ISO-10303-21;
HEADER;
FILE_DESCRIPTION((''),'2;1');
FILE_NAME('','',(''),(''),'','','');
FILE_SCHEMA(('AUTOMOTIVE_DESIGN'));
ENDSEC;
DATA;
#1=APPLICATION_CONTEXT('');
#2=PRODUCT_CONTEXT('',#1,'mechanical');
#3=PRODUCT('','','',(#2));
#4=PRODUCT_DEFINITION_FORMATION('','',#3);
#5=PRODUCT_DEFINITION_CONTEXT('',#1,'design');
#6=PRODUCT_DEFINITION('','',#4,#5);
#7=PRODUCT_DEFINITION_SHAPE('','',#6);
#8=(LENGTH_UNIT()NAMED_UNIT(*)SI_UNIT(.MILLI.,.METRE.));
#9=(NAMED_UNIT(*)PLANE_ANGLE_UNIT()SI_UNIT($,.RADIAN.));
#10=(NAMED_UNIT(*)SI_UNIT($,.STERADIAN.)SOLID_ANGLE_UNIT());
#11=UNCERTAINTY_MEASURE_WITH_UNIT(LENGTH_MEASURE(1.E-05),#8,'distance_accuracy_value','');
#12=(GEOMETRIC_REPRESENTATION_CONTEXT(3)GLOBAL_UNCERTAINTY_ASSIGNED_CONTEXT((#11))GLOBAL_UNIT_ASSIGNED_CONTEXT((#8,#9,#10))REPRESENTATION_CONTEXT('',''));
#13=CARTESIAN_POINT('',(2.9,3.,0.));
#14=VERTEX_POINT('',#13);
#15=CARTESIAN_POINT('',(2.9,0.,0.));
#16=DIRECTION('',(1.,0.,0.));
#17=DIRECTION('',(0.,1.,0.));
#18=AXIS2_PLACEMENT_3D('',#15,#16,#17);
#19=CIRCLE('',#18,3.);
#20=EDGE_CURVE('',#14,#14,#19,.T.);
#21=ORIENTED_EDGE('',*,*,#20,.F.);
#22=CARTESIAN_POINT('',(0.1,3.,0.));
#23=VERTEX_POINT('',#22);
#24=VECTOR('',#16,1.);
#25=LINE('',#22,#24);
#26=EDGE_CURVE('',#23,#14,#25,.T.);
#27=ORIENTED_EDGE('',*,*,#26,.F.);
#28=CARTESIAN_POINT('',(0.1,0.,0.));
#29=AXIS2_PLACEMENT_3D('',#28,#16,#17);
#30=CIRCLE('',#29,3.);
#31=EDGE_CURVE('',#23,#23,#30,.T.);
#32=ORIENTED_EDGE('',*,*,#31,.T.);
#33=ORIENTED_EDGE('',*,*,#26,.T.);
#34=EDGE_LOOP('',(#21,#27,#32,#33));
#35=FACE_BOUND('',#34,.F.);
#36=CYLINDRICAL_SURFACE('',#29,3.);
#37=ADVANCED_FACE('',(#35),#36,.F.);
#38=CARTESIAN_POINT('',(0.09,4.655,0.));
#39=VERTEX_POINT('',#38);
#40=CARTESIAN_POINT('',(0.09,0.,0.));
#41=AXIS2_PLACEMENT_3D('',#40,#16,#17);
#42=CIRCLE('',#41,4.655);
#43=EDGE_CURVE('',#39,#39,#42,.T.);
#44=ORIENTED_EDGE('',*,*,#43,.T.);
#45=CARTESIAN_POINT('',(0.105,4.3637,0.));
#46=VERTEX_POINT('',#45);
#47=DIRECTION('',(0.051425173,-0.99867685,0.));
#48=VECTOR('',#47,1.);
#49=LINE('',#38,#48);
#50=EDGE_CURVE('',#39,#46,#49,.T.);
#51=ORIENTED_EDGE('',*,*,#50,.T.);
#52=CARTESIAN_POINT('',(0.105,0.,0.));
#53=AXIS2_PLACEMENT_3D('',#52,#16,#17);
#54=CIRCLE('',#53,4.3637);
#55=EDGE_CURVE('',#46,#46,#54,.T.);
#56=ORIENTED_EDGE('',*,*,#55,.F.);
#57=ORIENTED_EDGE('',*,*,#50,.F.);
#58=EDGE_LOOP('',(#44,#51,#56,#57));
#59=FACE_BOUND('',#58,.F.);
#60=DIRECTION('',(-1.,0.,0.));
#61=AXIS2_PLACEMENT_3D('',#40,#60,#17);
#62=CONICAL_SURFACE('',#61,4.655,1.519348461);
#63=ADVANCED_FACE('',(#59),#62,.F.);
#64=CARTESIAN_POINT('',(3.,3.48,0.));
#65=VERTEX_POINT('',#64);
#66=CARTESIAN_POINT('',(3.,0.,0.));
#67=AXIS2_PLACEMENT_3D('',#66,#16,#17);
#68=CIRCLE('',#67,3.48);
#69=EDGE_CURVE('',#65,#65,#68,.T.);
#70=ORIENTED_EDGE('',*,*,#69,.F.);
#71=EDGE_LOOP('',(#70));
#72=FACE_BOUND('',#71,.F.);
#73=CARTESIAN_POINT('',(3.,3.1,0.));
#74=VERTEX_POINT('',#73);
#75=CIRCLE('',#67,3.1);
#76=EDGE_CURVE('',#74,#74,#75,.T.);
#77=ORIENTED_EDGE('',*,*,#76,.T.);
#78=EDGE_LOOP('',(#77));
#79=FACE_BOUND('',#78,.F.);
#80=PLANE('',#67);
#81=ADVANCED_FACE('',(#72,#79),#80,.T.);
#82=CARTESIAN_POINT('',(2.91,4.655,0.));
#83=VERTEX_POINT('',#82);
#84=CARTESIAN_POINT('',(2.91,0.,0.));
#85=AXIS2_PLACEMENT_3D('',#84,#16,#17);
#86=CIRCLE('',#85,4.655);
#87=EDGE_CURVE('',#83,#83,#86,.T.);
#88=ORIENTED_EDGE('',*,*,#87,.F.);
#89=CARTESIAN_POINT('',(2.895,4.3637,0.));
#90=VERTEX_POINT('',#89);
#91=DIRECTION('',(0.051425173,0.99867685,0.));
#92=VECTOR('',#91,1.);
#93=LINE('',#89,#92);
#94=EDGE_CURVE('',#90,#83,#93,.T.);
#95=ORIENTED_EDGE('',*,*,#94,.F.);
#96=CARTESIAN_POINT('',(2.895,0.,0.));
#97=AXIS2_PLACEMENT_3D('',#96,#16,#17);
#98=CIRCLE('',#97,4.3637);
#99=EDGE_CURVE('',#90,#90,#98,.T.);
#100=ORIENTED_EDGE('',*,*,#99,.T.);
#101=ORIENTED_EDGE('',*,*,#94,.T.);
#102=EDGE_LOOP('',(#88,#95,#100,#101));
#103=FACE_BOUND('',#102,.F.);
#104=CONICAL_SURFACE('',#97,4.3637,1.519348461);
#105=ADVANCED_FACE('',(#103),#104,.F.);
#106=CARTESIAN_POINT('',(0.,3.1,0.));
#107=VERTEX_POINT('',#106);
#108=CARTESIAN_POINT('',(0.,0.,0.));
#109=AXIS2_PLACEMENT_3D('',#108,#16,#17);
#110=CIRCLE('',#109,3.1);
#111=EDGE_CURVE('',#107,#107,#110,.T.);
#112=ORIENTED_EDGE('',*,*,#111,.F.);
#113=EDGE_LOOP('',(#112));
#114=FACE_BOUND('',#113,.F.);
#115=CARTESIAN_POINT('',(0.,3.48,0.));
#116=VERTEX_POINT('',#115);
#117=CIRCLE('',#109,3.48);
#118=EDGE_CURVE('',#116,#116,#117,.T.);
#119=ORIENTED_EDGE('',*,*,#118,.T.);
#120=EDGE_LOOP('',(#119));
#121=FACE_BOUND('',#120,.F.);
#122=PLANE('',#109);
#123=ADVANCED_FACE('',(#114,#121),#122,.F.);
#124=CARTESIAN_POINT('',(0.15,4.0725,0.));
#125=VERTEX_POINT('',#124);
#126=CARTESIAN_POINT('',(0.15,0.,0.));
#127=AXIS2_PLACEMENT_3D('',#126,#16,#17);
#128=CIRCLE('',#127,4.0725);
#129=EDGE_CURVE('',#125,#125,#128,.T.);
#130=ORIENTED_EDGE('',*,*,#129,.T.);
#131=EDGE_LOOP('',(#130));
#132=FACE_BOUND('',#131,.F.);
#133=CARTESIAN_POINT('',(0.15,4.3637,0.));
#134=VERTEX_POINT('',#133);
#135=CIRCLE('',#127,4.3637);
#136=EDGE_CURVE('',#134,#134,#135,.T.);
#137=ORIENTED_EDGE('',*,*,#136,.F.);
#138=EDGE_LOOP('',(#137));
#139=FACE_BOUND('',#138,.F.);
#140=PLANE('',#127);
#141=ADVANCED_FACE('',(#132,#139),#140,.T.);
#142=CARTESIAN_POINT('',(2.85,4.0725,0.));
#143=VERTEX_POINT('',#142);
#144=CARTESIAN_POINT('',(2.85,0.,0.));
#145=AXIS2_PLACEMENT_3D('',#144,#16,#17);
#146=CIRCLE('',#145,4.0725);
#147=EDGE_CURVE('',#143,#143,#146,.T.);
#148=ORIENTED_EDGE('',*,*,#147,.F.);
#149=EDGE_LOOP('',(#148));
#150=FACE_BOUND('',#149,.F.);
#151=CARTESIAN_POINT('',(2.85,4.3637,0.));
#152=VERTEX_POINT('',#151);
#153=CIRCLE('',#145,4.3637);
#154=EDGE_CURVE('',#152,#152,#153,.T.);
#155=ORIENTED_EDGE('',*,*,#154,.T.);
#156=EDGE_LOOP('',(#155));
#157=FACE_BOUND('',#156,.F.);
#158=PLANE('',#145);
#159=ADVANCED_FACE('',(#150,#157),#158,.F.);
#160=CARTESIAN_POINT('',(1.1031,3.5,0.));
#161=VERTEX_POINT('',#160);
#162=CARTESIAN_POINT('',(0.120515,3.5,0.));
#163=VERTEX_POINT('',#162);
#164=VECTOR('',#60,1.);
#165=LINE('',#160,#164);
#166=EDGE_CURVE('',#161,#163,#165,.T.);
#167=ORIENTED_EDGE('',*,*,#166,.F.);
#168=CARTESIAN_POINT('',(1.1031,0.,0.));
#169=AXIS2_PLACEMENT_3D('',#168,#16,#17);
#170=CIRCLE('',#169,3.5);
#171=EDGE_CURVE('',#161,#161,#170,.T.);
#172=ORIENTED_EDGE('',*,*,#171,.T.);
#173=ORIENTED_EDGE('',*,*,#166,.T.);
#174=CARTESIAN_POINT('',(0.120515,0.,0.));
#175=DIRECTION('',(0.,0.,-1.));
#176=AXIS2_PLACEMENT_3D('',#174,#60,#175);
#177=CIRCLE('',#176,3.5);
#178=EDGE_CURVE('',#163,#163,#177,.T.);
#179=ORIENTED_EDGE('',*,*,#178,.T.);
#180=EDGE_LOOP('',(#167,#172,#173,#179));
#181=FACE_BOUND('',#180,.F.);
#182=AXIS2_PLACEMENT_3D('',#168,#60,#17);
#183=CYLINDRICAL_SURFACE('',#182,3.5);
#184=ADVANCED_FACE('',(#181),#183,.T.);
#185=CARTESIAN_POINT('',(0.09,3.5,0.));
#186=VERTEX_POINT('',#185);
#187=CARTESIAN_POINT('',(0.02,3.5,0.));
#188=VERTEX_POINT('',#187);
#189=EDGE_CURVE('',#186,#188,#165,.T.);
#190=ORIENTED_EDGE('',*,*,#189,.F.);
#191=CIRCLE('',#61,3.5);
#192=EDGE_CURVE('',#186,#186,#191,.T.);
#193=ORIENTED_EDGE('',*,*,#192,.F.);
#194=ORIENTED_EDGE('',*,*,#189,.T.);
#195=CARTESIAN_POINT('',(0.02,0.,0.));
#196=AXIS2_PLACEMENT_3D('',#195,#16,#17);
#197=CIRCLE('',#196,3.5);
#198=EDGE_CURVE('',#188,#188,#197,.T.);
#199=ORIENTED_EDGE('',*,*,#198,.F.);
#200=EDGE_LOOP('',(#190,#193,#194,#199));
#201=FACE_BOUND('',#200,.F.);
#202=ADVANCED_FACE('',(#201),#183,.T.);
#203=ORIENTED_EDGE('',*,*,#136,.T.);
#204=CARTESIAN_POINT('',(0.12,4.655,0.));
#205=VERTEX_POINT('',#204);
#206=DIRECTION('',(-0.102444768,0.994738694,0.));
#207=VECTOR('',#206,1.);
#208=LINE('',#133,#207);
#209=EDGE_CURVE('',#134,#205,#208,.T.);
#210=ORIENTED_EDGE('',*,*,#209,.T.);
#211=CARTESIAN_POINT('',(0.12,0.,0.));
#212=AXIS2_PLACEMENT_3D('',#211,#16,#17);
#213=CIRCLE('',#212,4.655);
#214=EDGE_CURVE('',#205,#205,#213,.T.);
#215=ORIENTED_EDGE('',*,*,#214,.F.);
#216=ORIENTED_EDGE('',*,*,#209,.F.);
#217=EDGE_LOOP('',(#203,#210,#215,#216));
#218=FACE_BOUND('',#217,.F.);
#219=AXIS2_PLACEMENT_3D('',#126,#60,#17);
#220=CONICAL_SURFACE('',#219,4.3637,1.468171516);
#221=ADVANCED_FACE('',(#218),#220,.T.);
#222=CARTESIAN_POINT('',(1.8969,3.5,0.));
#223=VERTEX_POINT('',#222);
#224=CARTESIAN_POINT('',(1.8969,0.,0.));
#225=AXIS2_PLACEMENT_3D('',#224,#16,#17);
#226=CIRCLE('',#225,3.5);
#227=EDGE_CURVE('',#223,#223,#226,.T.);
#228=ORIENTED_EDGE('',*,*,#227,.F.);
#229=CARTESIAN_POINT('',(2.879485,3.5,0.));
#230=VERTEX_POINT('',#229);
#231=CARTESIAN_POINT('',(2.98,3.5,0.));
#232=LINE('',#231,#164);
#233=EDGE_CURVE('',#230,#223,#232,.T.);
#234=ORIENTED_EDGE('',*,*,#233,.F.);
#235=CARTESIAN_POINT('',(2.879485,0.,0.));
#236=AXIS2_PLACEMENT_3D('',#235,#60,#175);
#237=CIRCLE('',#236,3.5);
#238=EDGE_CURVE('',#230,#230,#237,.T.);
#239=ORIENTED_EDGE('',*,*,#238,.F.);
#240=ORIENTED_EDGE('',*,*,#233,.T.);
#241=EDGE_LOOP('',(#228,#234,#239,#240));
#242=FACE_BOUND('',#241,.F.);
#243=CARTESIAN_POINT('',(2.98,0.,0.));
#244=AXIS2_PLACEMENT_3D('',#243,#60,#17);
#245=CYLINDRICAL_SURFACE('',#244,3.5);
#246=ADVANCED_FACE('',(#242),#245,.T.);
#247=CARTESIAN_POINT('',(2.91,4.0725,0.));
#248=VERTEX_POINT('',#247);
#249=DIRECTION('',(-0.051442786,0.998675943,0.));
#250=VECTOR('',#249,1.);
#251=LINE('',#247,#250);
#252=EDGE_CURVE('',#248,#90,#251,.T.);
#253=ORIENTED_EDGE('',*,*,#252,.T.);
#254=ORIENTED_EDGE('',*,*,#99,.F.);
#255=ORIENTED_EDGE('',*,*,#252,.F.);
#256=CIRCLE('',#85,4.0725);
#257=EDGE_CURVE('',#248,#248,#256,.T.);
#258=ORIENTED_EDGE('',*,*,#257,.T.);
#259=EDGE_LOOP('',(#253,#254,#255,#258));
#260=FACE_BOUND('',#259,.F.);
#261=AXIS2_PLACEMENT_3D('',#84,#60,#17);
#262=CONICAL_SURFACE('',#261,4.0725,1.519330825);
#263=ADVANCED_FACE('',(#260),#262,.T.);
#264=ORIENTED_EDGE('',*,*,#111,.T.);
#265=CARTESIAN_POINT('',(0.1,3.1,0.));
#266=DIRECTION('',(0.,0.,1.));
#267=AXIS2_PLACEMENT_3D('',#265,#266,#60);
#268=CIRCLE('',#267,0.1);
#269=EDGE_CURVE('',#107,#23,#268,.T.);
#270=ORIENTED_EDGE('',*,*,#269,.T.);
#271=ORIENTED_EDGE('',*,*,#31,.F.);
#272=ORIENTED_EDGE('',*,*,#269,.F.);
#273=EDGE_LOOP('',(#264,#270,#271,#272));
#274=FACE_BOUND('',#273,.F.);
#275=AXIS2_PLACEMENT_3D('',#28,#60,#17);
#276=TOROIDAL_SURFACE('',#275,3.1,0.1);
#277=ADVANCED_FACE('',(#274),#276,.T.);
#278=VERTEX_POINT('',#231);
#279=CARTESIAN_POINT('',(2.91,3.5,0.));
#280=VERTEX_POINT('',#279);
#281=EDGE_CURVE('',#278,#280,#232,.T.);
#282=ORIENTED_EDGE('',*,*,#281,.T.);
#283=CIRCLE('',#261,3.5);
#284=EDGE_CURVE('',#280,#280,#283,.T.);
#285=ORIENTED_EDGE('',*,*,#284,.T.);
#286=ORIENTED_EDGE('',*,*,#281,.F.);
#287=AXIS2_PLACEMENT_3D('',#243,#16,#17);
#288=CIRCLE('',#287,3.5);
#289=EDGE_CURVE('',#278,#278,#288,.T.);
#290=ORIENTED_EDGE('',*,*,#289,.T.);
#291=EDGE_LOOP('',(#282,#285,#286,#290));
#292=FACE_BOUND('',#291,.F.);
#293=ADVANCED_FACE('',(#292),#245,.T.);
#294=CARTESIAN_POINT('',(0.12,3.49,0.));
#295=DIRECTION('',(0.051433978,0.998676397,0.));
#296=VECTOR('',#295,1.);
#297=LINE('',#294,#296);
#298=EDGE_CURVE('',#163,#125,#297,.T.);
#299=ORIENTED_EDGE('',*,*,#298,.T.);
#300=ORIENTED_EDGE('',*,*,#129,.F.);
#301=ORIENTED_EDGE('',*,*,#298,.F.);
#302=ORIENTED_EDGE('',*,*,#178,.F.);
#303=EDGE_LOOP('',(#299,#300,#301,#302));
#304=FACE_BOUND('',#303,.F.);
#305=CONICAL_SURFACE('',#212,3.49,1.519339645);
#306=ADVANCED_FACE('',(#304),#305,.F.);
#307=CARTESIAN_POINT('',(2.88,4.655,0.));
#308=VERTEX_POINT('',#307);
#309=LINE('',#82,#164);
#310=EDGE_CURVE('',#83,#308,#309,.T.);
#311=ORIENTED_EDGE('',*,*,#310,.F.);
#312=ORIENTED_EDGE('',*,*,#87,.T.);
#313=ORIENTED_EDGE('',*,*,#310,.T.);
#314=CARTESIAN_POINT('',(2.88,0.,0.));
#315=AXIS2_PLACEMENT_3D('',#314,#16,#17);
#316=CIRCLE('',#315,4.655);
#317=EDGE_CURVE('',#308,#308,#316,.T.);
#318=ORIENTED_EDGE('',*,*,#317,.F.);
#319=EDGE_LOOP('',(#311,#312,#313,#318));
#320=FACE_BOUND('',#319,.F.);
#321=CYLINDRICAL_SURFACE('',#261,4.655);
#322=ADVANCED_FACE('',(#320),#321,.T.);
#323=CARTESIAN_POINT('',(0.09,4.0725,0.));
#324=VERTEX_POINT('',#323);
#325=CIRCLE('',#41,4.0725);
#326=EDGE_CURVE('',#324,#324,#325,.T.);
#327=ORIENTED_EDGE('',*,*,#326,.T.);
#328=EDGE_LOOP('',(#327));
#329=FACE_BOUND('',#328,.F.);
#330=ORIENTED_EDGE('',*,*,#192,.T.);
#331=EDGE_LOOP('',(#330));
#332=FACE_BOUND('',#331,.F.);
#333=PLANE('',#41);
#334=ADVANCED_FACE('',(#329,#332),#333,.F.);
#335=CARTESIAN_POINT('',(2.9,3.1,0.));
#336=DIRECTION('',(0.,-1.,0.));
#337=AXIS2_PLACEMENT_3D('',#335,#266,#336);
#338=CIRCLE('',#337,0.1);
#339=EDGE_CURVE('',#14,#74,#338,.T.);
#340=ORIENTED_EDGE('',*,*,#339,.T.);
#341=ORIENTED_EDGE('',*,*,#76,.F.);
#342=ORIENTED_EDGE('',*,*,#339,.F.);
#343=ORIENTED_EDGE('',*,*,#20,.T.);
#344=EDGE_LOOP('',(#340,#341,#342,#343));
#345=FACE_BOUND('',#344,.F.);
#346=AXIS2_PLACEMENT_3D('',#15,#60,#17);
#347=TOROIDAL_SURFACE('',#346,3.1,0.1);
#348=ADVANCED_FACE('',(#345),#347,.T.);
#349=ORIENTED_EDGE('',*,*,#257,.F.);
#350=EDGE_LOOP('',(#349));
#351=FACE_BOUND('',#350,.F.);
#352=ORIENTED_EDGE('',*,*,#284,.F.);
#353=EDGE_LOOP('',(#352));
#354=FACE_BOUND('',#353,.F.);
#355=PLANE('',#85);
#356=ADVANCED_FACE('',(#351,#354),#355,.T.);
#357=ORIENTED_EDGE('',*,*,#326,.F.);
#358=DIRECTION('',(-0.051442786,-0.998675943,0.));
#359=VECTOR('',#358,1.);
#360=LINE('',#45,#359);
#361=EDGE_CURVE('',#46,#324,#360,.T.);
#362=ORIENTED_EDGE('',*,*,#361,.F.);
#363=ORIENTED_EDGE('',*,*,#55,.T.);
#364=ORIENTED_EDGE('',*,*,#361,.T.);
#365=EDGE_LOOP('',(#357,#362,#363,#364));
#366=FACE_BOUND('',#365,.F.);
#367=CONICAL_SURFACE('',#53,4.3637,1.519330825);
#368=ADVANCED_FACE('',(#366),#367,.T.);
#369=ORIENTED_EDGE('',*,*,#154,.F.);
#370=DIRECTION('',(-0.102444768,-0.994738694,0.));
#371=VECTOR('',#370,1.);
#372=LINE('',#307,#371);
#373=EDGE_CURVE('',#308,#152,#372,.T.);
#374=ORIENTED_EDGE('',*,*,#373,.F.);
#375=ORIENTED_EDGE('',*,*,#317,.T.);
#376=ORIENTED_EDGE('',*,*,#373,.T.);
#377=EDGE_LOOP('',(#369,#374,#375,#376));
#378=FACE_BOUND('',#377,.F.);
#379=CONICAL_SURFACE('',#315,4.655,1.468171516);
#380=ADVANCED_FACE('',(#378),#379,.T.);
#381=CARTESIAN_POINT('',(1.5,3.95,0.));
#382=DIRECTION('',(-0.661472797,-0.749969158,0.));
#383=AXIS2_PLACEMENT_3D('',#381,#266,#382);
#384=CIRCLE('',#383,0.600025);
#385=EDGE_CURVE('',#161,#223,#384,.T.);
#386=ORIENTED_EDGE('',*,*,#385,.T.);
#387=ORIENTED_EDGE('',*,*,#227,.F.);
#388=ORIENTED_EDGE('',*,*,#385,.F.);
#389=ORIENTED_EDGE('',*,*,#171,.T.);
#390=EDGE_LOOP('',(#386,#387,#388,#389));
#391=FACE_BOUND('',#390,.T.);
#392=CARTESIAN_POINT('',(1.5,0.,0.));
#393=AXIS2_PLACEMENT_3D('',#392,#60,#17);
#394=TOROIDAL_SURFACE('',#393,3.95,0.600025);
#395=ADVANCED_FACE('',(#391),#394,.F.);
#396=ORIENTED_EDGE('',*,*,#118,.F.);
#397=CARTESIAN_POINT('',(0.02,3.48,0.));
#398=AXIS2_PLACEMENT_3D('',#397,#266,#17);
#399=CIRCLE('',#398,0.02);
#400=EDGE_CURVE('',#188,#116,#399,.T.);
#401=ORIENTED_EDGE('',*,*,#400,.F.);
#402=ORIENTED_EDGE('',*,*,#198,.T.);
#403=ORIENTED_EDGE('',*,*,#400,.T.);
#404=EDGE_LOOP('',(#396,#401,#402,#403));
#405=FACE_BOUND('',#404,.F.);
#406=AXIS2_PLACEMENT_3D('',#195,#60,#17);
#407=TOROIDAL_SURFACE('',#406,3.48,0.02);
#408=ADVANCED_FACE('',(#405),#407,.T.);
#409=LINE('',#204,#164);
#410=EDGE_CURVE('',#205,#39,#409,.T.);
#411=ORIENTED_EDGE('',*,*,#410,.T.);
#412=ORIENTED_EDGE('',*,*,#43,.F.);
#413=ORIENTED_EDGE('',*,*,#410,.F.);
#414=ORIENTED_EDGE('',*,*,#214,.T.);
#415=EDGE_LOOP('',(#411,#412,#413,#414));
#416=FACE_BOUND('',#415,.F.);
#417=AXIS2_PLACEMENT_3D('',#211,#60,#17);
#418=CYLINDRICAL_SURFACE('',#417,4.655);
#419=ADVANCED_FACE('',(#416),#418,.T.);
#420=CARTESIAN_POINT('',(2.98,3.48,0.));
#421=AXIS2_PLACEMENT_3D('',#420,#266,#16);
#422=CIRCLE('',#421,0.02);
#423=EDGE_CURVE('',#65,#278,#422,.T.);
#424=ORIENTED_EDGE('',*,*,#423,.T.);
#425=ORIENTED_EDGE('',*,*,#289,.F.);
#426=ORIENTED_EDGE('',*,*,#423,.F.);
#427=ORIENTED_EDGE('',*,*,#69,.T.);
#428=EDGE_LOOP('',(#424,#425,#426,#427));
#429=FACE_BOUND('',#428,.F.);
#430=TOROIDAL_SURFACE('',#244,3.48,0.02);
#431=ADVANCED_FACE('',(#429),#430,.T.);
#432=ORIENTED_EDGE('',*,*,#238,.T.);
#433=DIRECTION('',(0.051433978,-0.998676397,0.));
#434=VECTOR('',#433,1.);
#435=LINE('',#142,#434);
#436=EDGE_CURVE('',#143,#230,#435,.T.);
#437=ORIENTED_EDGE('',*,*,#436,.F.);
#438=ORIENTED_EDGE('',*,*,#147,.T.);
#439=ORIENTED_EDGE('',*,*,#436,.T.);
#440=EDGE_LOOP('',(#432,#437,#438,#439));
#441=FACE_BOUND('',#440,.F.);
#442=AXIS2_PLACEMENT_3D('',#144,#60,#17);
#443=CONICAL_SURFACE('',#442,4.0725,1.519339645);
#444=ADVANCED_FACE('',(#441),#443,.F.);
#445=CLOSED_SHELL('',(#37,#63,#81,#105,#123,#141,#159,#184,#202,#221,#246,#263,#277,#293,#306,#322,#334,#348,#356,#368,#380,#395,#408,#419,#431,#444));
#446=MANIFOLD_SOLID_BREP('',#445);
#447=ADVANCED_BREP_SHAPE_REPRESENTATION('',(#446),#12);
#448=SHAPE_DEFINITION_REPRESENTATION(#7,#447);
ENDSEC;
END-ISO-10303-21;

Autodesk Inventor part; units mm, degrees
ref_plane "YZ Plane" through (0, 0, 0) normal (1, 0, 0) x (0, 1, 0)
ref_plane "XZ Plane" through (0, 0, 0) normal (0, 1, 0) x (-1, 0, 0)
ref_plane "XY Plane" through (0, 0, 0) normal (0, 0, 1) x (1, 0, 0)
sketch "Sketch_17" plane through (0, 0, 0) normal (0, 0, 1) x (1, 0, 0)
  line L0 (50, 0) -> (-50, 0)
  line L1 (0, 3.48) -> (0, 3.1)
  arc A0 (0, 3.1) -> (0.1, 3) centre (0.1, 3.1) ccw
  line L2 (0.1, 3) -> (2.9, 3)
  arc A1 (2.9, 3) -> (3, 3.1) centre (2.9, 3.1) ccw
  line L3 (3, 3.1) -> (3, 3.48)
  arc A2 (3, 3.48) -> (2.98, 3.5) centre (2.98, 3.48) ccw
  line L4 (2.98, 3.5) -> (1.8969, 3.5)
  arc A3 (1.1031, 3.5) -> (1.8969, 3.5) centre (1.5, 3.95) ccw
  line L5 (1.1031, 3.5) -> (0.02, 3.5)
  arc A4 (0.02, 3.5) -> (0, 3.48) centre (0.02, 3.48) ccw
revolve "Revolution1" add sketch "Sketch_17" angle 360 about axis through (50, 0, 0) along (1, 0, 0)
sketch "Sketch_20" plane through (0, 0, 0) normal (0, 0, 1) x (1, 0, 0)
  line L0 (50, 0) -> (-50, 0)
  line L1 (0.09, 4.655) -> (0.105, 4.3637)
  line L2 (0.105, 4.3637) -> (0.09, 4.0725)
  line L3 (0.09, 4.0725) -> (0.09, 3.49)
  line L4 (0.09, 3.49) -> (0.12, 3.49)
  line L5 (0.12, 3.49) -> (0.15, 4.0725)
  line L6 (0.15, 4.0725) -> (0.15, 4.3637)
  line L7 (0.15, 4.3637) -> (0.12, 4.655)
  line L8 (0.12, 4.655) -> (0.09, 4.655)
revolve "Revolution2" add sketch "Sketch_20" angle 360 about axis through (50, 0, 0) along (1, 0, 0)
sketch "Sketch_21" plane through (0, 0, 0) normal (0, 0, 1) x (1, 0, 0)
  line L0 (50, 0) -> (-50, 0)
  line L1 (2.85, 4.3637) -> (2.85, 4.0725)
  line L2 (2.85, 4.0725) -> (2.88, 3.49)
  line L3 (2.88, 3.49) -> (2.91, 3.49)
  line L4 (2.91, 3.49) -> (2.91, 4.0725)
  line L5 (2.91, 4.0725) -> (2.895, 4.3637)
  line L6 (2.895, 4.3637) -> (2.91, 4.655)
  line L7 (2.91, 4.655) -> (2.88, 4.655)
  line L8 (2.88, 4.655) -> (2.85, 4.3637)
revolve "Revolution3" add sketch "Sketch_21" angle 360 about axis through (50, 0, 0) along (1, 0, 0)
properties part number "W 627/6-2Z_PART1"
